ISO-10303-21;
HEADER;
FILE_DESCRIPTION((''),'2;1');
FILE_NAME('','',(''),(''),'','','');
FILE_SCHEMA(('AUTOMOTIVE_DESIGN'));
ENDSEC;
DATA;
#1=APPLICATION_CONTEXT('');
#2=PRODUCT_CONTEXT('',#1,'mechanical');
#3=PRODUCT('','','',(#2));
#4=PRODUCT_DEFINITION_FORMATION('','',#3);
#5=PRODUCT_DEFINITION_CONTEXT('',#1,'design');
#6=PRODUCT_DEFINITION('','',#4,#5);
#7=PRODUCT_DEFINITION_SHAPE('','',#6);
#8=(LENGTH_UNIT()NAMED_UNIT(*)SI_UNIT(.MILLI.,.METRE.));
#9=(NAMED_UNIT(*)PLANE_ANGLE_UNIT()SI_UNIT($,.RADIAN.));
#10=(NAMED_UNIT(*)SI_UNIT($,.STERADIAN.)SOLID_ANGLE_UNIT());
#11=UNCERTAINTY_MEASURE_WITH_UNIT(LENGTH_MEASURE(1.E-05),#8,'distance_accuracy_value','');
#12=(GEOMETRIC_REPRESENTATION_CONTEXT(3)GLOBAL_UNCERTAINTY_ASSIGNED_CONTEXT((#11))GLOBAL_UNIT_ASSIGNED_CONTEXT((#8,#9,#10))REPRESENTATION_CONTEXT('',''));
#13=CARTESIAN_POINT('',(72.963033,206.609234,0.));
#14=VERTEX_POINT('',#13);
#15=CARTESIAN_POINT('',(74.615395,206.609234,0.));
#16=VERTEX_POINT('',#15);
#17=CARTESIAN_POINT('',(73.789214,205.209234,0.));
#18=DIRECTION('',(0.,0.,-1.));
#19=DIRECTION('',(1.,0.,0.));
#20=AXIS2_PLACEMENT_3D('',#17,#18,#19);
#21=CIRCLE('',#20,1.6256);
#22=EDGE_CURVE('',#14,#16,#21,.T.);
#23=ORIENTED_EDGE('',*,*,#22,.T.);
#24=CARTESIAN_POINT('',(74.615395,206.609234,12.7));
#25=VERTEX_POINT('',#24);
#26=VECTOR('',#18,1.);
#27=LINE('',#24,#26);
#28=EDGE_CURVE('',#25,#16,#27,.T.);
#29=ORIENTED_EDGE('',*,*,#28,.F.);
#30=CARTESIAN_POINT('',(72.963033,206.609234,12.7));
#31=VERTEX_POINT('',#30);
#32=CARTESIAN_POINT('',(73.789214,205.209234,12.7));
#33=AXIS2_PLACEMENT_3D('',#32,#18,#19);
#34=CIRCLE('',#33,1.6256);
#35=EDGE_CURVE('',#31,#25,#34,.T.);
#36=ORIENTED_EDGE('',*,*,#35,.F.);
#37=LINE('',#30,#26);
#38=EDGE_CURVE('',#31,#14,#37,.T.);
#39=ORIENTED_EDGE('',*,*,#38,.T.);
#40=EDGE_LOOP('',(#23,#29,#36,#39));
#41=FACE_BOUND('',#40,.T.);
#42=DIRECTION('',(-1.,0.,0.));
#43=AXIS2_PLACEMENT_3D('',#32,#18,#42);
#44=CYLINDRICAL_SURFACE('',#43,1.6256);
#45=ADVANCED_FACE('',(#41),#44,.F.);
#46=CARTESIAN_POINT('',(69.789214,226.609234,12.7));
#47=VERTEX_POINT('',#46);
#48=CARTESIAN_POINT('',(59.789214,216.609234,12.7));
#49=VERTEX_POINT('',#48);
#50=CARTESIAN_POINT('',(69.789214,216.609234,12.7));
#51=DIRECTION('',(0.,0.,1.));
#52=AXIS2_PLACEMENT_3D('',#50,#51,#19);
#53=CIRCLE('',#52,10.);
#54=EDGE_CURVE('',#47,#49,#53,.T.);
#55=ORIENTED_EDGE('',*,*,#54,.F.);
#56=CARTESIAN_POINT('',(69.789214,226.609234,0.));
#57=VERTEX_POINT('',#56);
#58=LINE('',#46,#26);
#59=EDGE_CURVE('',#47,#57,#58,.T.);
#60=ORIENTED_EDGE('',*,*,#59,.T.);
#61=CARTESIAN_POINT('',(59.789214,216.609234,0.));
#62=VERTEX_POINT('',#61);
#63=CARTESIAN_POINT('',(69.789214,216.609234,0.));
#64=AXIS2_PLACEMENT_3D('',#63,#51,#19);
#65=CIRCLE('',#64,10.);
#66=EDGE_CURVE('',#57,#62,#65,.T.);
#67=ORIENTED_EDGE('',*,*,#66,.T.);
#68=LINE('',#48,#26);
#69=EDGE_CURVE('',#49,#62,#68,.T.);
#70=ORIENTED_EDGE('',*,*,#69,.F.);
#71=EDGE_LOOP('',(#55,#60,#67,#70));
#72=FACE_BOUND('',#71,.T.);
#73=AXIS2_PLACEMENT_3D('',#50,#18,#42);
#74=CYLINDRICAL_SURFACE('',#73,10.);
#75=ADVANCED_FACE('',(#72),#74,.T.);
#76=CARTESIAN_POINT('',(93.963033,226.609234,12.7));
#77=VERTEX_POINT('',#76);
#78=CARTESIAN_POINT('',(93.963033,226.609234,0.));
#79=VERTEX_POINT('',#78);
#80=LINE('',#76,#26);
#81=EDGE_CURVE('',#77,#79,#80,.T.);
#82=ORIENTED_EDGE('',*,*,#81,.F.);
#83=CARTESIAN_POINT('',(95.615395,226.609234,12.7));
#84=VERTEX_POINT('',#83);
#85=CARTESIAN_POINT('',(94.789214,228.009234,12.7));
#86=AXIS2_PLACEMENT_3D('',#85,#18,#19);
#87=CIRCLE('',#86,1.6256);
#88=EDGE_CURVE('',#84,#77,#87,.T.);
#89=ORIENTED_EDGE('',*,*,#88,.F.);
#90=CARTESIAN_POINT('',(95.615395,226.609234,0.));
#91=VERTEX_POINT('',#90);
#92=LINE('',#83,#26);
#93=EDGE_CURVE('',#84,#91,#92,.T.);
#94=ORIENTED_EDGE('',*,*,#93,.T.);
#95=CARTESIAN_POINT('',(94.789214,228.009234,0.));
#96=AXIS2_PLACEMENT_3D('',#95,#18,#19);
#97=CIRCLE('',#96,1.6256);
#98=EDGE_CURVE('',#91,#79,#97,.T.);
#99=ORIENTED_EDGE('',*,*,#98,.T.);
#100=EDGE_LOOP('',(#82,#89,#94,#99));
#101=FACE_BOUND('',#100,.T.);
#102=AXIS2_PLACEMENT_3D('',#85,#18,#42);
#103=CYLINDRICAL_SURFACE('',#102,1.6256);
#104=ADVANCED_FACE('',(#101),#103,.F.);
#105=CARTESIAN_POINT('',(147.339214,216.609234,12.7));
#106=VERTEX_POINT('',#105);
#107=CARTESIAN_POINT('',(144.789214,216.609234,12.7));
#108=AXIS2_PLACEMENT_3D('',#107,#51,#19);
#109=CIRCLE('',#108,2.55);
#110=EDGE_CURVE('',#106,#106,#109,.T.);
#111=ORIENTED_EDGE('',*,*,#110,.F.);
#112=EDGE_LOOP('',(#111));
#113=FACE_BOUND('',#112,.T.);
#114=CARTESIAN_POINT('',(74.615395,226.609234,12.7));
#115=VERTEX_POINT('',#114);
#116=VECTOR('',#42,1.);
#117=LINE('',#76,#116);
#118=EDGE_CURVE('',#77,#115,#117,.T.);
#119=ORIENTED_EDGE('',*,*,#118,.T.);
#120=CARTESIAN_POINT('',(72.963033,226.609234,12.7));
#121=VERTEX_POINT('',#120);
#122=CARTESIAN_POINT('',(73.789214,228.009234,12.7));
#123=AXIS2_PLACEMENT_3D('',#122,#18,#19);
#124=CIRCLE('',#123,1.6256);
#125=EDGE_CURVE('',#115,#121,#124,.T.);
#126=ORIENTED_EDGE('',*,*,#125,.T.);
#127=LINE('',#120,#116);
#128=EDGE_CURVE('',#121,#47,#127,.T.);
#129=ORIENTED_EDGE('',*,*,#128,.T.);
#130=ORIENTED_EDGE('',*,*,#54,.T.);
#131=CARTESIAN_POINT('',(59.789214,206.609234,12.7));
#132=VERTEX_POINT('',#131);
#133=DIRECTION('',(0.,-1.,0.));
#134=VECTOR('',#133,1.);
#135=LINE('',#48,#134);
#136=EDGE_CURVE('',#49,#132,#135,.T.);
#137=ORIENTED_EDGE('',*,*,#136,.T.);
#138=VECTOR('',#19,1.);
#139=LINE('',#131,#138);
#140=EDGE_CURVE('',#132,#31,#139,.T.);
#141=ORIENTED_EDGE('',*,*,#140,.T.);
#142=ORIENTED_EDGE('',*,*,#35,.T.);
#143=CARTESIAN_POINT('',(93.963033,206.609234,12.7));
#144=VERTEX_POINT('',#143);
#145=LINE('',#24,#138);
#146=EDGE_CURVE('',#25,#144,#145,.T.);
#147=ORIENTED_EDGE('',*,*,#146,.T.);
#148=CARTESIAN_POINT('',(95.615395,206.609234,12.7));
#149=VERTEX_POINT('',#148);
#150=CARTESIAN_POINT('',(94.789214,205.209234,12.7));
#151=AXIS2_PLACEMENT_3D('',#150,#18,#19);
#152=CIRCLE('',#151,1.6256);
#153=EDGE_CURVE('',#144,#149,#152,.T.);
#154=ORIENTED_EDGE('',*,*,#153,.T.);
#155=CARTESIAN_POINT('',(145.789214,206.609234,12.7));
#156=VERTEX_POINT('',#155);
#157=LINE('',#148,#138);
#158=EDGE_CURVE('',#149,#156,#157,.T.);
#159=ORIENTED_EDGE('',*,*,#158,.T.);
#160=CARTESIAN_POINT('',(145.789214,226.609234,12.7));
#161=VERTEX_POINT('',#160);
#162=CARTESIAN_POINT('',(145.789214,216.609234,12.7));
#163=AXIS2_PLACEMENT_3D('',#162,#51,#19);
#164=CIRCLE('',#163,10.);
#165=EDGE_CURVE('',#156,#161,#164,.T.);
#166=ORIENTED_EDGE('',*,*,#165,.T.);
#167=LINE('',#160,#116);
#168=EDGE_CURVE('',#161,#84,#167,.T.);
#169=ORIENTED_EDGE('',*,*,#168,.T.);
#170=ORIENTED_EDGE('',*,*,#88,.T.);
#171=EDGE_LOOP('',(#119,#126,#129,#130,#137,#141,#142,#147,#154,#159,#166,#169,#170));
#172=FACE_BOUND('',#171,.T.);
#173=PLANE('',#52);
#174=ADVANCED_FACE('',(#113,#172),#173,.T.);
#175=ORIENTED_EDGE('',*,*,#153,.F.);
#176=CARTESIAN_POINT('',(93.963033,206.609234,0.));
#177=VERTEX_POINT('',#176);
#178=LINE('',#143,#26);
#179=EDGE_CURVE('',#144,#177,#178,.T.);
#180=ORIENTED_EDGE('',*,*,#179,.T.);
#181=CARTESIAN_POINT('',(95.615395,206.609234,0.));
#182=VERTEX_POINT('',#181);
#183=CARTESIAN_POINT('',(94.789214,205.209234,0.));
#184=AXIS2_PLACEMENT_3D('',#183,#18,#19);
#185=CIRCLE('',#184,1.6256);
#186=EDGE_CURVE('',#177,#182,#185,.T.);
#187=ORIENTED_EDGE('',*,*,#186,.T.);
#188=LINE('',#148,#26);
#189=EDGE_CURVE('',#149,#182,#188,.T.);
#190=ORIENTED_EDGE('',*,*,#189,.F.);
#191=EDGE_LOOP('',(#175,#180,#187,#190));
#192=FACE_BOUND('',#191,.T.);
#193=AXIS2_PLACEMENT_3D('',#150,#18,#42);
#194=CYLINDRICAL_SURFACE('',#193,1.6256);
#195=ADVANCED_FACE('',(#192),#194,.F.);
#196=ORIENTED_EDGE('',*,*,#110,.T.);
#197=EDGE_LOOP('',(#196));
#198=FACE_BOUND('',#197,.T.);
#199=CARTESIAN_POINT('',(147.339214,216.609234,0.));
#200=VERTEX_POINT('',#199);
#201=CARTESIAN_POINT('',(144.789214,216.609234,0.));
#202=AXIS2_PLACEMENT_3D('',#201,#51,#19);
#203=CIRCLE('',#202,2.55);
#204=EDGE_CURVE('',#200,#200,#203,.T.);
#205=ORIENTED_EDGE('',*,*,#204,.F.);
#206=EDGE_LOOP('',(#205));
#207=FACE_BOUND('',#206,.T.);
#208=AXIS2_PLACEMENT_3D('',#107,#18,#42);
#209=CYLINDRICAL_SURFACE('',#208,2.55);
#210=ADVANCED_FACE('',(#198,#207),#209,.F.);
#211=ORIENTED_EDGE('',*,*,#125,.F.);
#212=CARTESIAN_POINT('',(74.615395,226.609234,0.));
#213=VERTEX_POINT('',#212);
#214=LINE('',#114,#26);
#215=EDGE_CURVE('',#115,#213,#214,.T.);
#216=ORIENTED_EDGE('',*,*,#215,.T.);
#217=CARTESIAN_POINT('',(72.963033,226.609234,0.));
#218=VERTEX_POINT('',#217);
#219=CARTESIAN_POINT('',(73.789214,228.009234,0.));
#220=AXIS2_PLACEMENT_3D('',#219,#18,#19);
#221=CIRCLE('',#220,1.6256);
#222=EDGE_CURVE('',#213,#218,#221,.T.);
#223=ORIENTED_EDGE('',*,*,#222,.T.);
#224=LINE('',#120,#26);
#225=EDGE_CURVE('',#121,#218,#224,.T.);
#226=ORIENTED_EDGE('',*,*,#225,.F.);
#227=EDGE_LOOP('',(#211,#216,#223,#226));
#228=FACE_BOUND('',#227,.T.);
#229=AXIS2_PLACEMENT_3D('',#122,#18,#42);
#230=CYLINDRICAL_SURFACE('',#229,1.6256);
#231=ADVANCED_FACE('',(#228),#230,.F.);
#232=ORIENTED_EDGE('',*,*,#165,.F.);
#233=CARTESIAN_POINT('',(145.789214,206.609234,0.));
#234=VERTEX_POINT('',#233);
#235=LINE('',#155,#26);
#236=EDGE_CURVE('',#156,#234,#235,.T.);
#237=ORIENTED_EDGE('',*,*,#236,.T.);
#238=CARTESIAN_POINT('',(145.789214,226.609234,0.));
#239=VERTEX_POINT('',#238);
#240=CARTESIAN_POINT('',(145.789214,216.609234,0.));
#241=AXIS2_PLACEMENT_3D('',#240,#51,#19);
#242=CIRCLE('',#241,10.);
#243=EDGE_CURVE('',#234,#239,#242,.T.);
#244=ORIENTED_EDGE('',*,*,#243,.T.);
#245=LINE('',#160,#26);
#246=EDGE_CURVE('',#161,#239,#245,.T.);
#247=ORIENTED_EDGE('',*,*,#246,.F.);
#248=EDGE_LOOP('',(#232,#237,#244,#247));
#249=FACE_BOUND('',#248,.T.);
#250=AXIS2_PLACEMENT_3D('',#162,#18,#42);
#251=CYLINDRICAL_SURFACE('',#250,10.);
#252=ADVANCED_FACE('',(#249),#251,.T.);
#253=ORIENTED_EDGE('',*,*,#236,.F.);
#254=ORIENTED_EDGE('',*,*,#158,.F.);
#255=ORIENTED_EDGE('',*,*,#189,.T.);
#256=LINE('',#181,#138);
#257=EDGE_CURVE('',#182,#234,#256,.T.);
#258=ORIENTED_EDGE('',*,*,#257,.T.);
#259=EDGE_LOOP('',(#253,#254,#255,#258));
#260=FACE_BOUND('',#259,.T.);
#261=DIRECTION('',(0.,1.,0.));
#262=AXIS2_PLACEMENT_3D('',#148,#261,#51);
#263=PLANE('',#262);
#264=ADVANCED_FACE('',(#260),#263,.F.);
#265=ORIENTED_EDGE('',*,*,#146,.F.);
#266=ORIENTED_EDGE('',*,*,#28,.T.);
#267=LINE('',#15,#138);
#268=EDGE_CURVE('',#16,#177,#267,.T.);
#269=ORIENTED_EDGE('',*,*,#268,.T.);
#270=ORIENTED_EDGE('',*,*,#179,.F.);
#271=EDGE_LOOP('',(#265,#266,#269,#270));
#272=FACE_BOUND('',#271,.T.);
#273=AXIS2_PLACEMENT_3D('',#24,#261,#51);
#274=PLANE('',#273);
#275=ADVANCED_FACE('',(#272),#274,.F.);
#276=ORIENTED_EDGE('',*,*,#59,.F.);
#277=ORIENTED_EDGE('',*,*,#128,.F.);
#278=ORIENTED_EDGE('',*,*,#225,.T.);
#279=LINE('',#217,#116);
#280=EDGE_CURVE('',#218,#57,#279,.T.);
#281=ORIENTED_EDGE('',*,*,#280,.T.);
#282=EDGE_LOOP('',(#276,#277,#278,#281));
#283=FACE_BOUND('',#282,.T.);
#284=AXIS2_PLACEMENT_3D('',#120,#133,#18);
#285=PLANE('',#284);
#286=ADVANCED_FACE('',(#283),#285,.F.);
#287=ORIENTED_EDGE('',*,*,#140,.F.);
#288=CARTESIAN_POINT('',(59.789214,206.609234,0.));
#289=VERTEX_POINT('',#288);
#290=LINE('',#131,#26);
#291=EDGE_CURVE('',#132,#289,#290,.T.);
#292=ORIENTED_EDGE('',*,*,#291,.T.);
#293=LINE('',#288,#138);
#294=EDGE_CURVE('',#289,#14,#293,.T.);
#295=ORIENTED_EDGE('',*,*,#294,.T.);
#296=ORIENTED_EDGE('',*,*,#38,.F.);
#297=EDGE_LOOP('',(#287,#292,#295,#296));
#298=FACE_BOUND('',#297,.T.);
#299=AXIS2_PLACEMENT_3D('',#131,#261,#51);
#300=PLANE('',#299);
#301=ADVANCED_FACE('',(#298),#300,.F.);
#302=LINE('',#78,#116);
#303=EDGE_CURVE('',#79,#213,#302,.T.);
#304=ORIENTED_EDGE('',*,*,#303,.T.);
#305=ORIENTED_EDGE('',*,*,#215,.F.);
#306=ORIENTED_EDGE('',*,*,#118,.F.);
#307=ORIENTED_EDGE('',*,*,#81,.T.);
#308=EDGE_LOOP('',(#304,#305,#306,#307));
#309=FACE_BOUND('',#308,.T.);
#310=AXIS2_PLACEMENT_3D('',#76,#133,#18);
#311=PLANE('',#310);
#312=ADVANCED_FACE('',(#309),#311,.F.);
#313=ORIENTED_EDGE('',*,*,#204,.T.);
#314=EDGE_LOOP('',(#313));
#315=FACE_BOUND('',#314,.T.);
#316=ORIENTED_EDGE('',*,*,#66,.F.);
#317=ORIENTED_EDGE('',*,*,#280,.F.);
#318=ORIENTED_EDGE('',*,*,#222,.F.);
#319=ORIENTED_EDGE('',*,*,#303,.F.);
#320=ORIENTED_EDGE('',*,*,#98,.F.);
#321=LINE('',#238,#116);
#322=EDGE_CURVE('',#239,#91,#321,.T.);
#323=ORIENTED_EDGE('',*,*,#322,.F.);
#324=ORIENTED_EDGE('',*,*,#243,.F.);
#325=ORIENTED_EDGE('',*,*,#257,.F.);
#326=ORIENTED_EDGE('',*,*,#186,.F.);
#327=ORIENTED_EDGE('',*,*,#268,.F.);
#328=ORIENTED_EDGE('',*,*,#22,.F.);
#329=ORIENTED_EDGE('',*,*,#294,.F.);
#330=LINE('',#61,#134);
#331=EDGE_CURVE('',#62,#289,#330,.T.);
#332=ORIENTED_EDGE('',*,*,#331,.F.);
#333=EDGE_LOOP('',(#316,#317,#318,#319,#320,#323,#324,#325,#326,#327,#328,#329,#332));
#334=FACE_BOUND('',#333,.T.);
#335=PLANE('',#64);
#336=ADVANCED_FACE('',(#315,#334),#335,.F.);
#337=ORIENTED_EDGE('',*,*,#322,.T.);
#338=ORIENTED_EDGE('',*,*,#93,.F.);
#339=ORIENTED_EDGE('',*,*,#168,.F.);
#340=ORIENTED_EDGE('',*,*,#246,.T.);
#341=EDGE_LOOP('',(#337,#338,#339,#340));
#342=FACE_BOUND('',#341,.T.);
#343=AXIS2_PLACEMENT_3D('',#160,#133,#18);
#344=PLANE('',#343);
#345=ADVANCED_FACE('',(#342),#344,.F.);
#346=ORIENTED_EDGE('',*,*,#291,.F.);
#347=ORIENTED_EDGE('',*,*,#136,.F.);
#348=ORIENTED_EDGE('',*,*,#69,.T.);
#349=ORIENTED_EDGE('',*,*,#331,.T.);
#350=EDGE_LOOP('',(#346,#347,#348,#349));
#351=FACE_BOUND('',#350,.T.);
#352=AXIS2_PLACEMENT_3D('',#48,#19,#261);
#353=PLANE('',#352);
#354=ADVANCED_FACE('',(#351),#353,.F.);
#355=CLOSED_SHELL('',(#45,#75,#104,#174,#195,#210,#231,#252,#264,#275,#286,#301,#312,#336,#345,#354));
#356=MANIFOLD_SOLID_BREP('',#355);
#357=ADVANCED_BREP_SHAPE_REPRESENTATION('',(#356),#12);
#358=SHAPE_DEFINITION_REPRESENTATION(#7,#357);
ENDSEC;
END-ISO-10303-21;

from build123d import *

# Parameters (mm, degrees)
SKETCH1_R           = 2.55
BOSS_EXTRUDE1_DEPTH = 12.7


with BuildPart() as part:
    # Sketch1 → Boss-Extrude1 (new body)
    with BuildSketch(Plane.XY):
        with BuildLine():
            Line((59.789213932, 216.60923387), (59.789213932, 206.609233872))
            Line((59.789213932, 206.609233872), (72.963032743, 206.609233872))
            ThreePointArc((72.963032743, 206.609233872), (73.789213933, 206.834833872), (74.615395122, 206.609233872))
            Line((74.615395122, 206.609233872), (93.963032742, 206.609233872))
            ThreePointArc((93.963032742, 206.609233872), (94.789213933, 206.834833872), (95.615395124, 206.609233871))
            Line((95.615395124, 206.609233871), (145.789213933, 206.609233871))
            ThreePointArc((145.789213933, 206.609233871), (155.789213933, 216.609233871), (145.789213933, 226.609233871))
            Line((145.789213933, 226.609233871), (95.615395124, 226.609233871))
            ThreePointArc((95.615395124, 226.609233871), (94.789213933, 226.38363387), (93.963032742, 226.60923387))
            Line((93.963032742, 226.60923387), (74.615395122, 226.60923387))
            ThreePointArc((74.615395122, 226.60923387), (73.789213933, 226.38363387), (72.963032743, 226.60923387))
            Line((72.963032743, 226.60923387), (69.789213932, 226.60923387))
            ThreePointArc((69.789213932, 226.60923387), (62.71814612, 223.680301682), (59.789213932, 216.60923387))
        make_face()
        with Locations((144.789213934, 216.609233872)):
            Circle(SKETCH1_R, mode=Mode.SUBTRACT)
    extrude(amount=BOSS_EXTRUDE1_DEPTH)


solid = part.part
